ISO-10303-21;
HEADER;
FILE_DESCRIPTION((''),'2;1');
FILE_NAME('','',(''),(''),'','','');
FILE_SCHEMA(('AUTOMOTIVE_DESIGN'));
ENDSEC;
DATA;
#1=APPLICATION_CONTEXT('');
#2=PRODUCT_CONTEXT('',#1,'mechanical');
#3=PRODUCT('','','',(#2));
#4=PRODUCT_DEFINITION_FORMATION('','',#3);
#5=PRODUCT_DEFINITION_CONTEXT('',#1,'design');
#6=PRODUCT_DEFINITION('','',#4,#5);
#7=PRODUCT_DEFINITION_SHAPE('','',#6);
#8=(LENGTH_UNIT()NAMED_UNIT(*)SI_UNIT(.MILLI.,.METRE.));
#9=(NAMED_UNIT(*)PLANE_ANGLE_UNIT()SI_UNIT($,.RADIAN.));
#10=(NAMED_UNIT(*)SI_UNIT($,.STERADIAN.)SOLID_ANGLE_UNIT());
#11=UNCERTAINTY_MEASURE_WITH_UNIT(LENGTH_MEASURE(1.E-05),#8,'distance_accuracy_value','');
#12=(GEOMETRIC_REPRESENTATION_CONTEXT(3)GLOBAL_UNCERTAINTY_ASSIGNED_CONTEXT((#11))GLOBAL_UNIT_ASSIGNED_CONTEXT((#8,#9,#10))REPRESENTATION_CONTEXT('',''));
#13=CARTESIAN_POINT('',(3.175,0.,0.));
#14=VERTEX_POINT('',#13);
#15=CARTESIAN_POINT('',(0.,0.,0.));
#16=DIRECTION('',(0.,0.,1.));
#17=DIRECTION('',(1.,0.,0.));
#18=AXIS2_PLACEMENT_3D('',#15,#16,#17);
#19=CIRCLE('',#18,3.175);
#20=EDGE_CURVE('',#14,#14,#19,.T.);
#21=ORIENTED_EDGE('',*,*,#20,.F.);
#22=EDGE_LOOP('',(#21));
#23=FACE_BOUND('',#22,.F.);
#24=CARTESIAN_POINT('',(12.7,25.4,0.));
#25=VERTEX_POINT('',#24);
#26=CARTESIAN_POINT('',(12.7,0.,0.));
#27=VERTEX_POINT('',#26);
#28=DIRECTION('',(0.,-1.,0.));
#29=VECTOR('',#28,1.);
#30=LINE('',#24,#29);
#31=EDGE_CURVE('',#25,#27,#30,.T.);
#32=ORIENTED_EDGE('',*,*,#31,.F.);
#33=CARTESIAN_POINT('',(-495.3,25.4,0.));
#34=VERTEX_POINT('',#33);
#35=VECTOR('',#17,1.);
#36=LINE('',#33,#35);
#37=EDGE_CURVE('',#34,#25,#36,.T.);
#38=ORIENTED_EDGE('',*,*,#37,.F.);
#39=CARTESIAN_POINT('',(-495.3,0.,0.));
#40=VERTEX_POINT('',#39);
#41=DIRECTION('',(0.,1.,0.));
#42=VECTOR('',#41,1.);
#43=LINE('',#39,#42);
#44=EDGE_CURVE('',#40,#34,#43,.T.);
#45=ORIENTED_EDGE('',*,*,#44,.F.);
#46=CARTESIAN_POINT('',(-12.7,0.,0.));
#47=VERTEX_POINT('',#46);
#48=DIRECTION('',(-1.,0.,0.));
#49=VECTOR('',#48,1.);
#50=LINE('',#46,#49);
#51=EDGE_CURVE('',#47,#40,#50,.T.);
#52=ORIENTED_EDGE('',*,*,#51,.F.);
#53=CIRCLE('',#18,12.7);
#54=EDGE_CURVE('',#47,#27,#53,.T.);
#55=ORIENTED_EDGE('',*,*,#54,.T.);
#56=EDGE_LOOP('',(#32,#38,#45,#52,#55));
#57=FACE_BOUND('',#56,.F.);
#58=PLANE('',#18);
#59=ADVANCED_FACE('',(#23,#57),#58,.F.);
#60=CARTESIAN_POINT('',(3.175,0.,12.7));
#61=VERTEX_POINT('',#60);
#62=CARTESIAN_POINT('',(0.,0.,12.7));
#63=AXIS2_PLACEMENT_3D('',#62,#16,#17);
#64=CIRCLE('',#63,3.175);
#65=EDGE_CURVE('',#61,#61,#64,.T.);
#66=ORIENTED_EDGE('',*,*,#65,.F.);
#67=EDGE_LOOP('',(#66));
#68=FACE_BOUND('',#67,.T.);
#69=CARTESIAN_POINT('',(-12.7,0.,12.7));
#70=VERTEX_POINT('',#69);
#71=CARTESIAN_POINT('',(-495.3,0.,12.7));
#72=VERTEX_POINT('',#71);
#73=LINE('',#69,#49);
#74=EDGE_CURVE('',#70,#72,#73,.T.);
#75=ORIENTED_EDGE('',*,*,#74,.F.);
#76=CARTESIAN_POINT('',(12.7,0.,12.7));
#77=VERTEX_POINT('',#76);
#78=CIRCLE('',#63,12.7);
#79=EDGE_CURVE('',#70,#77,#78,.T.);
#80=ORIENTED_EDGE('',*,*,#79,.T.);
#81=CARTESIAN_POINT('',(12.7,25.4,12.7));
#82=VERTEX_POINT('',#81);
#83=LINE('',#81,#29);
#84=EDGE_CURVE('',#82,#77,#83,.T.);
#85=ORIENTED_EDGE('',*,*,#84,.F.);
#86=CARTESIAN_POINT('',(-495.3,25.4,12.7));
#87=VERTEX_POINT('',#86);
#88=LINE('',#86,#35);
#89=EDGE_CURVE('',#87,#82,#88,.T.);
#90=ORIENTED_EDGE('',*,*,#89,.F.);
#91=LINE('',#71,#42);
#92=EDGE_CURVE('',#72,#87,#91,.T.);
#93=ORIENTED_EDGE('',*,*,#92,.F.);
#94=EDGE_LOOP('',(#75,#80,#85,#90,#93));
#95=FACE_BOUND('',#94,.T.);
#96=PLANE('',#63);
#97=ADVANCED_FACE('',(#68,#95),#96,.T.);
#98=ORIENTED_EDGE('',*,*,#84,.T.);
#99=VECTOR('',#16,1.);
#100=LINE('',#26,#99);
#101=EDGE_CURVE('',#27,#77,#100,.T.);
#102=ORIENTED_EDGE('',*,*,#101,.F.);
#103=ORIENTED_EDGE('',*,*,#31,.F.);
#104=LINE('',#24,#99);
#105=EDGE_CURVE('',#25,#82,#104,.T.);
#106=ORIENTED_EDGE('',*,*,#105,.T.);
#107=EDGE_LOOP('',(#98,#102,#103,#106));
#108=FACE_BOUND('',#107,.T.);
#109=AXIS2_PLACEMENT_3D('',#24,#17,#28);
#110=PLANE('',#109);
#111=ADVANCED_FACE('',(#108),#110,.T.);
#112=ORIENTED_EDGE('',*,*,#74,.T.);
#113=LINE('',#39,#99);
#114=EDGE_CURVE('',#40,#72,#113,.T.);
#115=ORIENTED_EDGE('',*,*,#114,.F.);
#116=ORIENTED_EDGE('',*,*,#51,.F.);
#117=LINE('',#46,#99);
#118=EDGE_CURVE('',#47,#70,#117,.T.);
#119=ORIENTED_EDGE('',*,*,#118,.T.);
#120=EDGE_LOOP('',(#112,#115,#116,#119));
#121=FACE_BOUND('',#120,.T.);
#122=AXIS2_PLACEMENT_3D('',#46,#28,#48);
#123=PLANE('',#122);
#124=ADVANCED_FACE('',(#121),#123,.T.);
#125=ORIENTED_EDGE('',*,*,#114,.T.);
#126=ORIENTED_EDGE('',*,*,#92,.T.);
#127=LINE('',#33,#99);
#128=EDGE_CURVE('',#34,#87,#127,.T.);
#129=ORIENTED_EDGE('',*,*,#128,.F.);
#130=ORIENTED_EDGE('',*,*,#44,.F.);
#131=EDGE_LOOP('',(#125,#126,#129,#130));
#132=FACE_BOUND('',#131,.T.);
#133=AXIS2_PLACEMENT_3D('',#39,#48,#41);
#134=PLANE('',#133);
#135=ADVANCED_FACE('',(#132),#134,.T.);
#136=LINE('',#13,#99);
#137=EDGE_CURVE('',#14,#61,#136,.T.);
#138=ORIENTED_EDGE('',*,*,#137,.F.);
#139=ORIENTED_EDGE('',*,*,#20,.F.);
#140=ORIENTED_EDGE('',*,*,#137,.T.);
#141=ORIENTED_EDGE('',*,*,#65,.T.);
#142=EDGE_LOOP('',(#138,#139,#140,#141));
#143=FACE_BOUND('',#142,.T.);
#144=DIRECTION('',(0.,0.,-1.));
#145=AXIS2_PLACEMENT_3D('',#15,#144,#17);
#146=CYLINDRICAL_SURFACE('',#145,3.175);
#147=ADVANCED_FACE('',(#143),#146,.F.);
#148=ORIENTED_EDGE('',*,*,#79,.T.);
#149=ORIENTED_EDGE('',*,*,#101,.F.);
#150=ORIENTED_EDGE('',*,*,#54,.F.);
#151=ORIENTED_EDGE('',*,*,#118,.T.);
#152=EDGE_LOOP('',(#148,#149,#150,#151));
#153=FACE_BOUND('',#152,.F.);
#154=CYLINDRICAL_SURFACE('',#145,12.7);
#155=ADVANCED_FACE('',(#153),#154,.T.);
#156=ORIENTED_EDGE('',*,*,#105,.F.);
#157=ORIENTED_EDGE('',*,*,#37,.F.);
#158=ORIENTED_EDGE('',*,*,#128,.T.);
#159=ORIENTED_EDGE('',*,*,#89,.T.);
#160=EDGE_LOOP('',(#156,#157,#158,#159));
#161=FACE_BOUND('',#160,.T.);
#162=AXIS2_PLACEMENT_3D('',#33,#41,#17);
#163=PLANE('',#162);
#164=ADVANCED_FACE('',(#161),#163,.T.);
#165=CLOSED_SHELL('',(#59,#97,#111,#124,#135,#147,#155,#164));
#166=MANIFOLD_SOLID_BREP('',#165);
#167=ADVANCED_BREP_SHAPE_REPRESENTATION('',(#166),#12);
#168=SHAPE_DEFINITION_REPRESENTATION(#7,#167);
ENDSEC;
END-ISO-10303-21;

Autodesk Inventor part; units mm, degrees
ref_plane "YZ Plane" through (0, 0, 0) normal (1, 0, 0) x (0, 1, 0)
ref_plane "XZ Plane" through (0, 0, 0) normal (0, 1, 0) x (-1, 0, 0)
ref_plane "XY Plane" through (0, 0, 0) normal (0, 0, 1) x (1, 0, 0)
sketch "Sketch1" plane through (0, 0, 0) normal (0, 0, 1) x (1, 0, 0)
  circle A0 centre (0, 0) radius 3.175
  circle A1 centre (0, 0) radius 12.7
  line L0 (-495.3, 0) -> (-495.3, 25.4)
  line L1 (-495.3, 25.4) -> (12.7, 25.4)
  line L2 (12.7, 25.4) -> (12.7, 0)
  line L3 (-12.7, 0) -> (-495.3, 0)
  dimension "d0" = 6.35
  dimension "d1" = 25.4
  dimension "d2" = 508
  dimension "d3" = 25.4
extrude "Extrusion1" add sketch "Sketch1" along normal blind 12.7
